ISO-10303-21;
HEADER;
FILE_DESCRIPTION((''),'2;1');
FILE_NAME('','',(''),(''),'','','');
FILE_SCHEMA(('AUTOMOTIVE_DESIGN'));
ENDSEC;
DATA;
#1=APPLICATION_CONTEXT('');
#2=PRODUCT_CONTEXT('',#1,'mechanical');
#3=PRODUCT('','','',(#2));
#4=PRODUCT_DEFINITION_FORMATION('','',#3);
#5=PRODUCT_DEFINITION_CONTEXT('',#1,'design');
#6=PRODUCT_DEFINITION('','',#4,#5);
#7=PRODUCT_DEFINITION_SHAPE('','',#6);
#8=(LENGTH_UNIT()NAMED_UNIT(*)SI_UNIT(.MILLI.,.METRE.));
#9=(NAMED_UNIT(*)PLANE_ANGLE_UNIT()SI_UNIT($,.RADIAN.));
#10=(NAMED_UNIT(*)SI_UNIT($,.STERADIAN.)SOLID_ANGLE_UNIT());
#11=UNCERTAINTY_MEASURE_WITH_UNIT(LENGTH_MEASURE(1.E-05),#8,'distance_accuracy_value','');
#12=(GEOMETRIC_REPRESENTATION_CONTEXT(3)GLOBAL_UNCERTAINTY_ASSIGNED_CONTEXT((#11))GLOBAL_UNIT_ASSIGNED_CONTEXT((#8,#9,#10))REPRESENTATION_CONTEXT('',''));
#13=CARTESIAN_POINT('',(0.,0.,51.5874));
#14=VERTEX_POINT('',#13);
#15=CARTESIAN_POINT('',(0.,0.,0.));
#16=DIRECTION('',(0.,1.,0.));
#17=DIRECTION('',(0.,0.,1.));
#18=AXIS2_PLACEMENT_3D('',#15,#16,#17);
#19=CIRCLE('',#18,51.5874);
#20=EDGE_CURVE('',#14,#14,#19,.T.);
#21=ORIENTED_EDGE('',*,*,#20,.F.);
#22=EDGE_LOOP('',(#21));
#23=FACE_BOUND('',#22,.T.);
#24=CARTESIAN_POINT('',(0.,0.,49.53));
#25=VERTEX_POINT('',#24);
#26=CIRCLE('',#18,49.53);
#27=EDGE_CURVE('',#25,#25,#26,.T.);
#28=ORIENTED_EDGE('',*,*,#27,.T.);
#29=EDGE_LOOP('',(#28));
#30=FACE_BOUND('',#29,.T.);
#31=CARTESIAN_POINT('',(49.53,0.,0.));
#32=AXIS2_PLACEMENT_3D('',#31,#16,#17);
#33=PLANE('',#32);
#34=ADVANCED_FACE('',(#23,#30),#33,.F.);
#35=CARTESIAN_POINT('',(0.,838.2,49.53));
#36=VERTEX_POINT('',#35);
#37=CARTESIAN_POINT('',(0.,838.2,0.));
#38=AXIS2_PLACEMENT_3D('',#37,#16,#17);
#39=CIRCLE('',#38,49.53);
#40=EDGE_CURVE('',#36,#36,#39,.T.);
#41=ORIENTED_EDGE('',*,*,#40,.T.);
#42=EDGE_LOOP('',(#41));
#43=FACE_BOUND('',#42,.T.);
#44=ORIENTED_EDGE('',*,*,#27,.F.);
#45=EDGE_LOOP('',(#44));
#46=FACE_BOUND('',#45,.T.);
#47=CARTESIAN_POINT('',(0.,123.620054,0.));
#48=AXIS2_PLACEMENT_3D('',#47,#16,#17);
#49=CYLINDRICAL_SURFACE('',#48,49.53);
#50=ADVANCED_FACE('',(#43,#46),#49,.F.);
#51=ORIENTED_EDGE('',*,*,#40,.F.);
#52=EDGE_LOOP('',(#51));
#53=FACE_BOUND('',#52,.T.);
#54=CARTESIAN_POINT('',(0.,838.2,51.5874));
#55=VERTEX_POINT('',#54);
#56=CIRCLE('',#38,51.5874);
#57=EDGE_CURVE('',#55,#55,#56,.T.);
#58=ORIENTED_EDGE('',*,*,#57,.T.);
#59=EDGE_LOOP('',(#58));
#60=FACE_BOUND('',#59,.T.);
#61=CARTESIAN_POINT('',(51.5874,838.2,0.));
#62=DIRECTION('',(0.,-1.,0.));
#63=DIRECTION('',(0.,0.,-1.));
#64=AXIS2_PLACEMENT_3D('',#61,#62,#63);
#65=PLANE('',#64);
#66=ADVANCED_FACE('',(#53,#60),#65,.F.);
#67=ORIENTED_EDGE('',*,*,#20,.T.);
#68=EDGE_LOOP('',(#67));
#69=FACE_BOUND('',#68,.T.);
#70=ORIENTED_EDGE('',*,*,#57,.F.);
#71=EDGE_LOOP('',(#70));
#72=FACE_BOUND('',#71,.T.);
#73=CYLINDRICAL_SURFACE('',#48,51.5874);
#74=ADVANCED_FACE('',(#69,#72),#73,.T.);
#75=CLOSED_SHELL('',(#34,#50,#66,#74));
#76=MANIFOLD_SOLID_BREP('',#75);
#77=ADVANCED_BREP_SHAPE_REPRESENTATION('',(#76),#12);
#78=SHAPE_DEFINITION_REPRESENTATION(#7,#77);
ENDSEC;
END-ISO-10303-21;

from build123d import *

# Parameters (mm, degrees)
SKETCH1_W = 2.0574
SKETCH1_H = 838.2


with BuildPart() as part:
    # Sketch1 → Revolve1 (revolve)
    with BuildSketch(Plane.XY):
        with Locations((50.5587, 419.1)):
            Rectangle(SKETCH1_W, SKETCH1_H)
    revolve(axis=Axis((0, 123.620053705, 0), (0, -1, 0)))


solid = part.part
